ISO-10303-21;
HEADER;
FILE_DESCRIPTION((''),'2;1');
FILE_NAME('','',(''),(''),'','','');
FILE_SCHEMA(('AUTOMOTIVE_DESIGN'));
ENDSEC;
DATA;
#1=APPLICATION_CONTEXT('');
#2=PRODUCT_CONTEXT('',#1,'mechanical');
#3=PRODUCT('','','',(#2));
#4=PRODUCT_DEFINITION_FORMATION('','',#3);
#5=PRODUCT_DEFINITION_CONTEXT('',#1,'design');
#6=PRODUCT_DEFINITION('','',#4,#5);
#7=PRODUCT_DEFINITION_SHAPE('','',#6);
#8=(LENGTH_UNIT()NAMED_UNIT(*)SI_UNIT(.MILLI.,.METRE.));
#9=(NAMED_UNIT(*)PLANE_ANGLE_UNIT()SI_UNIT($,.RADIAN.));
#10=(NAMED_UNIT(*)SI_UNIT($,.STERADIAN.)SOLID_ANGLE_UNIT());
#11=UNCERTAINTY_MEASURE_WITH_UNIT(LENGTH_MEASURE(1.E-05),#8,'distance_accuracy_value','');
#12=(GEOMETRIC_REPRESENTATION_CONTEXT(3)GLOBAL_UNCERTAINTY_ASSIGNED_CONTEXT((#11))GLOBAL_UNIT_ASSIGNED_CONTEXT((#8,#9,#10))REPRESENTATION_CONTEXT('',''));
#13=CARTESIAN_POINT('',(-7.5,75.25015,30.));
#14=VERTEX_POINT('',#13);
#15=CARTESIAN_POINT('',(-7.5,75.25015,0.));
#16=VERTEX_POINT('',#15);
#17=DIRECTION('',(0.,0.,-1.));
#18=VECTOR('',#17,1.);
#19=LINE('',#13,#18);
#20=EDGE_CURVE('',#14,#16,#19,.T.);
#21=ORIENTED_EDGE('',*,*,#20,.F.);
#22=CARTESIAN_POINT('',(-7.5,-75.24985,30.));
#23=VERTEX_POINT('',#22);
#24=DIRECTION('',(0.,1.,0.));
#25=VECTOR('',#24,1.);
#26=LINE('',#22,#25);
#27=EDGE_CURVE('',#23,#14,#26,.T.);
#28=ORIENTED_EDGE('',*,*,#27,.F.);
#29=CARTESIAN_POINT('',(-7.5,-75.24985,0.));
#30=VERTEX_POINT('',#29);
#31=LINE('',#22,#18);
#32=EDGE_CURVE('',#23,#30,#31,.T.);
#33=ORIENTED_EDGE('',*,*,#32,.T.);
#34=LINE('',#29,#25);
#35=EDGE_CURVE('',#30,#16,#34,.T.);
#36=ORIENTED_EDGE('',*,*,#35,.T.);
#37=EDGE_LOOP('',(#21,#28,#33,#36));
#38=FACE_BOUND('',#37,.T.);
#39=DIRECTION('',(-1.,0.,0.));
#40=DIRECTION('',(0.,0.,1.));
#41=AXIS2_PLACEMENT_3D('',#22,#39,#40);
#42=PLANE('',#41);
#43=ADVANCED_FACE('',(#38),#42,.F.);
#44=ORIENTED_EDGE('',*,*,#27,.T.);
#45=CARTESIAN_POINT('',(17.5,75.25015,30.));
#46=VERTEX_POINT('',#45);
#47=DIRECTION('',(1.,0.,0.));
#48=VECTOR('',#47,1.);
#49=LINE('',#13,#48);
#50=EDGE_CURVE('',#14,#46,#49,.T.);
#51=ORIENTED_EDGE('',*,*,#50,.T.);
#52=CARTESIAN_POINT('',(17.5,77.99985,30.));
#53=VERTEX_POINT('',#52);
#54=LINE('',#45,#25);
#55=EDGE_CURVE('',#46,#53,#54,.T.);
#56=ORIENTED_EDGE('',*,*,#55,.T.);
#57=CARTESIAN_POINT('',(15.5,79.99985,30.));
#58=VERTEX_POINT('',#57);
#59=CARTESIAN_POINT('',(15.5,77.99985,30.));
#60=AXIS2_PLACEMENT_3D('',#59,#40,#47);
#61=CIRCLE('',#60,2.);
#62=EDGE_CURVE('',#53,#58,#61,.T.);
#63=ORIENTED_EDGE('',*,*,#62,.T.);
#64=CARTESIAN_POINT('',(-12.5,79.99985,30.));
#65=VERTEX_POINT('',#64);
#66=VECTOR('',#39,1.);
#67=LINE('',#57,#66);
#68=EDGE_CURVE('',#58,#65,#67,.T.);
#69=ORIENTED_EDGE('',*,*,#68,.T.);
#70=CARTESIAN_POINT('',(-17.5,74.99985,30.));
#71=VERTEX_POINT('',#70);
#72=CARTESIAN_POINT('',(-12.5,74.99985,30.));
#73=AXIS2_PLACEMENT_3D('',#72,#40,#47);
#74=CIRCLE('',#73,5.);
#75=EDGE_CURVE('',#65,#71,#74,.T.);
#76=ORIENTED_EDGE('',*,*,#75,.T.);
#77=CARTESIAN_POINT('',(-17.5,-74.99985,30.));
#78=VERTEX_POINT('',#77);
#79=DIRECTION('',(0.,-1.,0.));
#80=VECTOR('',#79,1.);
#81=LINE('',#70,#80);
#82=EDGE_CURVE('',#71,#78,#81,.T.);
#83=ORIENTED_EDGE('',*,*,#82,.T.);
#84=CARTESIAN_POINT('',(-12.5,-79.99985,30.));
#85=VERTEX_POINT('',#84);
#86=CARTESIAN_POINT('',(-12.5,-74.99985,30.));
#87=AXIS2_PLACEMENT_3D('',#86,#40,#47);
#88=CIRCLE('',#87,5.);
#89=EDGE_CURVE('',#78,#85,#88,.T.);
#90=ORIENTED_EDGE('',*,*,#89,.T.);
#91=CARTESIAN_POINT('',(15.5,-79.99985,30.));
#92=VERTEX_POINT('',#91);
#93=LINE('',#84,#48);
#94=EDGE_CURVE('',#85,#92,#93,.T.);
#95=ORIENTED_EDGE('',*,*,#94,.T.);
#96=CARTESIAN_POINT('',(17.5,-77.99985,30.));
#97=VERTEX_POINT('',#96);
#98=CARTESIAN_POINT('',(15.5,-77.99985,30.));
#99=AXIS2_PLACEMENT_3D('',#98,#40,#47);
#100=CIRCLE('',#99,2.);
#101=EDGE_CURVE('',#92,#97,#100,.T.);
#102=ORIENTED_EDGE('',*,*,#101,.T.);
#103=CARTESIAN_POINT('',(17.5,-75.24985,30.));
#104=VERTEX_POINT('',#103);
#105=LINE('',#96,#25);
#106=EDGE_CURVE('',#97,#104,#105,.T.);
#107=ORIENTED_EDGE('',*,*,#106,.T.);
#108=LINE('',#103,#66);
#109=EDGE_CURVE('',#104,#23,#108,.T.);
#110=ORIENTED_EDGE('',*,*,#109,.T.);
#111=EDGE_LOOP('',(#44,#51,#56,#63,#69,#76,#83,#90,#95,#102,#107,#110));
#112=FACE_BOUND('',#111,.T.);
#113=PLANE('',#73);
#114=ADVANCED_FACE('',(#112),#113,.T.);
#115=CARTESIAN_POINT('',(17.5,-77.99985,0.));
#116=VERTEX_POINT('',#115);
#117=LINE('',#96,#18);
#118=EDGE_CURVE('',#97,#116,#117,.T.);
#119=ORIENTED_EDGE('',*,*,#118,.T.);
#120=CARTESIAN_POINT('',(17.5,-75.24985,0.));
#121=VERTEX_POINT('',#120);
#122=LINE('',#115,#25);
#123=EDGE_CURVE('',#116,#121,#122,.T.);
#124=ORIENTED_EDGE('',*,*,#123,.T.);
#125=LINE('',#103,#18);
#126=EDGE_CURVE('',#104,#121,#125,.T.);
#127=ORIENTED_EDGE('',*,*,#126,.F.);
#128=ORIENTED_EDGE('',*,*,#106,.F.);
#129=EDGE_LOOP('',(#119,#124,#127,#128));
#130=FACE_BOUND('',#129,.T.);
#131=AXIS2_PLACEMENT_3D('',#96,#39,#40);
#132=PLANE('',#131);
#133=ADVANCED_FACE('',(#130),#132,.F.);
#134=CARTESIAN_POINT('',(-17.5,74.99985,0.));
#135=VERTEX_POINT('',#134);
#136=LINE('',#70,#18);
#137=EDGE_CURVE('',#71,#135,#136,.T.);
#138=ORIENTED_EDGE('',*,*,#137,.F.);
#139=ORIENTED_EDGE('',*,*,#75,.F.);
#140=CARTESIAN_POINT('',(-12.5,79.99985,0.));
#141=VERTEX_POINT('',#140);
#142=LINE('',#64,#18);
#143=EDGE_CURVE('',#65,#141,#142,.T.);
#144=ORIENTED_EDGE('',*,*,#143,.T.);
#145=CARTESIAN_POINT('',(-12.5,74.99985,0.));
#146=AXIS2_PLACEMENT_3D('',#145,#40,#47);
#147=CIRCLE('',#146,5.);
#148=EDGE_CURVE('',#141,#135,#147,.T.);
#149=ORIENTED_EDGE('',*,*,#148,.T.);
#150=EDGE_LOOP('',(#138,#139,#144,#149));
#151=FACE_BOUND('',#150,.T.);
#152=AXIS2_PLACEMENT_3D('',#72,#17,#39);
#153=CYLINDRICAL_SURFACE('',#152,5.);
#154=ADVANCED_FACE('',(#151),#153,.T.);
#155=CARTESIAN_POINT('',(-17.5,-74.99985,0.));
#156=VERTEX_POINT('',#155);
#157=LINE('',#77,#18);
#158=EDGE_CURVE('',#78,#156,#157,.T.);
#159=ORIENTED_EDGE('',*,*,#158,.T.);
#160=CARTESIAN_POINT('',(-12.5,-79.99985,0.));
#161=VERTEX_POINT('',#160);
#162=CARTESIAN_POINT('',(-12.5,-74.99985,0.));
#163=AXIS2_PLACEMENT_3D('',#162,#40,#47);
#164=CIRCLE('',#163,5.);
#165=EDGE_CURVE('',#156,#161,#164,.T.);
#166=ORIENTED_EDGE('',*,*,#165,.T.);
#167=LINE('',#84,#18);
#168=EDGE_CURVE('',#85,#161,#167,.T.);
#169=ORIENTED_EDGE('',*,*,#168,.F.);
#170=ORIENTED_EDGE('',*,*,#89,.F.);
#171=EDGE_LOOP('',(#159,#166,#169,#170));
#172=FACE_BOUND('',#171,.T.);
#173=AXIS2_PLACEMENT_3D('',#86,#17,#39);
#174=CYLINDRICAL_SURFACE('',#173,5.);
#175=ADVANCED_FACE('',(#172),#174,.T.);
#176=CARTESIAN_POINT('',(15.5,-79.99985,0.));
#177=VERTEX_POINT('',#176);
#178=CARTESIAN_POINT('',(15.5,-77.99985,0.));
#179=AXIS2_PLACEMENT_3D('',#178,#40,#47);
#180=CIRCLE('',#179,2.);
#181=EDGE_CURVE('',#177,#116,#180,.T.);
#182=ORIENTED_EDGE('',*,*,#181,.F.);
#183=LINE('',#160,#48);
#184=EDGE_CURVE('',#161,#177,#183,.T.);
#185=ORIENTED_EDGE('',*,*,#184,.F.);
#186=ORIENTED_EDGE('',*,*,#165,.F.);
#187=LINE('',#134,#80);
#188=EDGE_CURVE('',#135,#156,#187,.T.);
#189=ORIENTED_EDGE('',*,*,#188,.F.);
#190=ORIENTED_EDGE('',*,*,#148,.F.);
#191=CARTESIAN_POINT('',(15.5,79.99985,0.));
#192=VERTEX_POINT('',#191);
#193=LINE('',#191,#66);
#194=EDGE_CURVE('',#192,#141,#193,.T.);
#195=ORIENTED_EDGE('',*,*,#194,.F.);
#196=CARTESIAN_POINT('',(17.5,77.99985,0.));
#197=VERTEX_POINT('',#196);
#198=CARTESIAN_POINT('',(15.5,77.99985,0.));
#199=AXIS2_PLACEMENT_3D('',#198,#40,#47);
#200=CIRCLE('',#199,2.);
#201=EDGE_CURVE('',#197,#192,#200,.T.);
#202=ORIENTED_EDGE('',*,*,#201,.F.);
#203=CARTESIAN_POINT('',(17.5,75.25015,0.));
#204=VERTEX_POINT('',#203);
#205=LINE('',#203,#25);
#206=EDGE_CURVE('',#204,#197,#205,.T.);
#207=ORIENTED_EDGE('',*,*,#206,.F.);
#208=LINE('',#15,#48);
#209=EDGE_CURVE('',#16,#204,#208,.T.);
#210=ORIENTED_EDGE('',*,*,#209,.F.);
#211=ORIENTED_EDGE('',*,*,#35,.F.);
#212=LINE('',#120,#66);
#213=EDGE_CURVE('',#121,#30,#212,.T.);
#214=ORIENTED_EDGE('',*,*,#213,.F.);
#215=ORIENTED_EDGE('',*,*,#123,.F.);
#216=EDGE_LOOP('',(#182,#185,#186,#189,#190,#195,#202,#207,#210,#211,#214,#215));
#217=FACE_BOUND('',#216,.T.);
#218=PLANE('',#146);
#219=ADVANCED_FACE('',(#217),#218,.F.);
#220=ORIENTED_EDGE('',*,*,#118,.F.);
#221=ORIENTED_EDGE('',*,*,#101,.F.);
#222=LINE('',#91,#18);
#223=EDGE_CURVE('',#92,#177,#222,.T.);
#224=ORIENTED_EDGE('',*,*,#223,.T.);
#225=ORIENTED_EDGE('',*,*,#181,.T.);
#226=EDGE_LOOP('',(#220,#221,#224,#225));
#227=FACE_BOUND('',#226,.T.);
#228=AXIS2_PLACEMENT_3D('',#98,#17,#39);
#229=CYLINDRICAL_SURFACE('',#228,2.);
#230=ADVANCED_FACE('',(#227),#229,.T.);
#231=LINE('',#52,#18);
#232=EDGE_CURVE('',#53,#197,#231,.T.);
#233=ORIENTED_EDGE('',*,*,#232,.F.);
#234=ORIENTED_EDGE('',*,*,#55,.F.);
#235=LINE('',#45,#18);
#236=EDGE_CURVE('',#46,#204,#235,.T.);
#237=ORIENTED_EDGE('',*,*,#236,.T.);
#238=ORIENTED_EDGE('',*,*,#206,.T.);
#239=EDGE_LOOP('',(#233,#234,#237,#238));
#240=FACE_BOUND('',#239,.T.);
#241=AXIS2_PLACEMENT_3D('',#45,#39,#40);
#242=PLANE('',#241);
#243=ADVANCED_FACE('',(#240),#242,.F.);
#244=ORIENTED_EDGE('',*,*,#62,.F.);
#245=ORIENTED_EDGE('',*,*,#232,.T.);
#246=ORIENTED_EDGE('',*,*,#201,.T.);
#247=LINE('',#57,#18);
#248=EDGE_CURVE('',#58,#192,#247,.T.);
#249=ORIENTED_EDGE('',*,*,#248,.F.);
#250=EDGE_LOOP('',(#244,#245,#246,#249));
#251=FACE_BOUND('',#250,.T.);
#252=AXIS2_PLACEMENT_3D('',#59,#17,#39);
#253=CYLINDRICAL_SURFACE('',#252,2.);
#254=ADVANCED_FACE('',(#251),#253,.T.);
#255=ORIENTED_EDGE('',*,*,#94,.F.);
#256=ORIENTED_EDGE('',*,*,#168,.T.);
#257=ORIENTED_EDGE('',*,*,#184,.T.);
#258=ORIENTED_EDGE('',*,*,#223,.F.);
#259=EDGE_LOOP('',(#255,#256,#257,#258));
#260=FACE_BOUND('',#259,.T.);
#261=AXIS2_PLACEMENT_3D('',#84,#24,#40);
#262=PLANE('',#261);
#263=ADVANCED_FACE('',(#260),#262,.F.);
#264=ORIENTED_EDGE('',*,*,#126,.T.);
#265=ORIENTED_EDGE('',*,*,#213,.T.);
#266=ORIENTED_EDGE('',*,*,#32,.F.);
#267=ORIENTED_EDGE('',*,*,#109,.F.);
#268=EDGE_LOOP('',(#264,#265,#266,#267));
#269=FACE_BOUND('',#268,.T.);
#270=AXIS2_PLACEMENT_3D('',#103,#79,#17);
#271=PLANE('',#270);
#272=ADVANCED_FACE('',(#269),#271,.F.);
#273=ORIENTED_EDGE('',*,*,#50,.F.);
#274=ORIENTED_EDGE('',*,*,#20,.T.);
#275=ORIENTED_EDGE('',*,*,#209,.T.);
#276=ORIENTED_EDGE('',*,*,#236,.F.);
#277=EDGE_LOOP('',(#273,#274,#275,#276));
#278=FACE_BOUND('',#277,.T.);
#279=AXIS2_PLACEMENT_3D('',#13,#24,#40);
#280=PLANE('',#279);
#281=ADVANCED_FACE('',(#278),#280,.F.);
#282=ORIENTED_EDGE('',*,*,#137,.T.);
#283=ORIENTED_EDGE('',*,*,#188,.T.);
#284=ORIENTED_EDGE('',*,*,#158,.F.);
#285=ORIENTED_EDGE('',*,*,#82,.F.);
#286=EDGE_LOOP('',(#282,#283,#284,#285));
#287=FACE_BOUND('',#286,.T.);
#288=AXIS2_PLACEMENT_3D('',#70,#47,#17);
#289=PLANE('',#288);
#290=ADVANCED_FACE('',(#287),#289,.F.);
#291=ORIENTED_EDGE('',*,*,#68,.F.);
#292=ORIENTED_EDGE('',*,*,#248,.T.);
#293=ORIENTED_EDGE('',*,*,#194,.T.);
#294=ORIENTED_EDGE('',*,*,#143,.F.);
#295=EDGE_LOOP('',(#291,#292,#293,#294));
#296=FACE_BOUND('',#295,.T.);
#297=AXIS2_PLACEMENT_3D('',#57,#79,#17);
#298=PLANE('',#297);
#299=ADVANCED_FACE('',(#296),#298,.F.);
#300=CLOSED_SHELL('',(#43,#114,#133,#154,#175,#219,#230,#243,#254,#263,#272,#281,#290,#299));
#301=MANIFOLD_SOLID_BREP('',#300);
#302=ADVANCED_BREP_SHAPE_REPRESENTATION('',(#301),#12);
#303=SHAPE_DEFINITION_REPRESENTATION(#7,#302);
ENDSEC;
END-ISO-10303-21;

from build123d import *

# Parameters (mm, degrees)
BOSS_EXTRUDE1_DEPTH = 30


with BuildPart() as part:
    # Sketch1 → Boss-Extrude1 (new body)
    with BuildSketch(Plane.XY):
        with BuildLine():
            Line((-17.5, 74.999850335), (-17.5, -74.999850335))
            ThreePointArc((-17.5, -74.999850335), (-16.035533906, -78.535384241), (-12.5, -79.999850335))
            Line((-12.5, -79.999850335), (15.5, -79.999850335))
            ThreePointArc((15.5, -79.999850335), (16.914213562, -79.414063897), (17.5, -77.999850335))
            Line((17.5, -77.999850335), (17.5, -75.249850335))
            Line((17.5, -75.249850335), (-7.5, -75.249850335))
            Line((-7.5, -75.249850335), (-7.5, 75.250149665))
            Line((-7.5, 75.250149665), (17.5, 75.250149665))
            Line((17.5, 75.250149665), (17.5, 77.999850335))
            ThreePointArc((17.5, 77.999850335), (16.914213562, 79.414063897), (15.5, 79.999850335))
            Line((15.5, 79.999850335), (-12.5, 79.999850335))
            ThreePointArc((-12.5, 79.999850335), (-16.035533906, 78.535384241), (-17.5, 74.999850335))
        make_face()
    extrude(amount=BOSS_EXTRUDE1_DEPTH)


solid = part.part
